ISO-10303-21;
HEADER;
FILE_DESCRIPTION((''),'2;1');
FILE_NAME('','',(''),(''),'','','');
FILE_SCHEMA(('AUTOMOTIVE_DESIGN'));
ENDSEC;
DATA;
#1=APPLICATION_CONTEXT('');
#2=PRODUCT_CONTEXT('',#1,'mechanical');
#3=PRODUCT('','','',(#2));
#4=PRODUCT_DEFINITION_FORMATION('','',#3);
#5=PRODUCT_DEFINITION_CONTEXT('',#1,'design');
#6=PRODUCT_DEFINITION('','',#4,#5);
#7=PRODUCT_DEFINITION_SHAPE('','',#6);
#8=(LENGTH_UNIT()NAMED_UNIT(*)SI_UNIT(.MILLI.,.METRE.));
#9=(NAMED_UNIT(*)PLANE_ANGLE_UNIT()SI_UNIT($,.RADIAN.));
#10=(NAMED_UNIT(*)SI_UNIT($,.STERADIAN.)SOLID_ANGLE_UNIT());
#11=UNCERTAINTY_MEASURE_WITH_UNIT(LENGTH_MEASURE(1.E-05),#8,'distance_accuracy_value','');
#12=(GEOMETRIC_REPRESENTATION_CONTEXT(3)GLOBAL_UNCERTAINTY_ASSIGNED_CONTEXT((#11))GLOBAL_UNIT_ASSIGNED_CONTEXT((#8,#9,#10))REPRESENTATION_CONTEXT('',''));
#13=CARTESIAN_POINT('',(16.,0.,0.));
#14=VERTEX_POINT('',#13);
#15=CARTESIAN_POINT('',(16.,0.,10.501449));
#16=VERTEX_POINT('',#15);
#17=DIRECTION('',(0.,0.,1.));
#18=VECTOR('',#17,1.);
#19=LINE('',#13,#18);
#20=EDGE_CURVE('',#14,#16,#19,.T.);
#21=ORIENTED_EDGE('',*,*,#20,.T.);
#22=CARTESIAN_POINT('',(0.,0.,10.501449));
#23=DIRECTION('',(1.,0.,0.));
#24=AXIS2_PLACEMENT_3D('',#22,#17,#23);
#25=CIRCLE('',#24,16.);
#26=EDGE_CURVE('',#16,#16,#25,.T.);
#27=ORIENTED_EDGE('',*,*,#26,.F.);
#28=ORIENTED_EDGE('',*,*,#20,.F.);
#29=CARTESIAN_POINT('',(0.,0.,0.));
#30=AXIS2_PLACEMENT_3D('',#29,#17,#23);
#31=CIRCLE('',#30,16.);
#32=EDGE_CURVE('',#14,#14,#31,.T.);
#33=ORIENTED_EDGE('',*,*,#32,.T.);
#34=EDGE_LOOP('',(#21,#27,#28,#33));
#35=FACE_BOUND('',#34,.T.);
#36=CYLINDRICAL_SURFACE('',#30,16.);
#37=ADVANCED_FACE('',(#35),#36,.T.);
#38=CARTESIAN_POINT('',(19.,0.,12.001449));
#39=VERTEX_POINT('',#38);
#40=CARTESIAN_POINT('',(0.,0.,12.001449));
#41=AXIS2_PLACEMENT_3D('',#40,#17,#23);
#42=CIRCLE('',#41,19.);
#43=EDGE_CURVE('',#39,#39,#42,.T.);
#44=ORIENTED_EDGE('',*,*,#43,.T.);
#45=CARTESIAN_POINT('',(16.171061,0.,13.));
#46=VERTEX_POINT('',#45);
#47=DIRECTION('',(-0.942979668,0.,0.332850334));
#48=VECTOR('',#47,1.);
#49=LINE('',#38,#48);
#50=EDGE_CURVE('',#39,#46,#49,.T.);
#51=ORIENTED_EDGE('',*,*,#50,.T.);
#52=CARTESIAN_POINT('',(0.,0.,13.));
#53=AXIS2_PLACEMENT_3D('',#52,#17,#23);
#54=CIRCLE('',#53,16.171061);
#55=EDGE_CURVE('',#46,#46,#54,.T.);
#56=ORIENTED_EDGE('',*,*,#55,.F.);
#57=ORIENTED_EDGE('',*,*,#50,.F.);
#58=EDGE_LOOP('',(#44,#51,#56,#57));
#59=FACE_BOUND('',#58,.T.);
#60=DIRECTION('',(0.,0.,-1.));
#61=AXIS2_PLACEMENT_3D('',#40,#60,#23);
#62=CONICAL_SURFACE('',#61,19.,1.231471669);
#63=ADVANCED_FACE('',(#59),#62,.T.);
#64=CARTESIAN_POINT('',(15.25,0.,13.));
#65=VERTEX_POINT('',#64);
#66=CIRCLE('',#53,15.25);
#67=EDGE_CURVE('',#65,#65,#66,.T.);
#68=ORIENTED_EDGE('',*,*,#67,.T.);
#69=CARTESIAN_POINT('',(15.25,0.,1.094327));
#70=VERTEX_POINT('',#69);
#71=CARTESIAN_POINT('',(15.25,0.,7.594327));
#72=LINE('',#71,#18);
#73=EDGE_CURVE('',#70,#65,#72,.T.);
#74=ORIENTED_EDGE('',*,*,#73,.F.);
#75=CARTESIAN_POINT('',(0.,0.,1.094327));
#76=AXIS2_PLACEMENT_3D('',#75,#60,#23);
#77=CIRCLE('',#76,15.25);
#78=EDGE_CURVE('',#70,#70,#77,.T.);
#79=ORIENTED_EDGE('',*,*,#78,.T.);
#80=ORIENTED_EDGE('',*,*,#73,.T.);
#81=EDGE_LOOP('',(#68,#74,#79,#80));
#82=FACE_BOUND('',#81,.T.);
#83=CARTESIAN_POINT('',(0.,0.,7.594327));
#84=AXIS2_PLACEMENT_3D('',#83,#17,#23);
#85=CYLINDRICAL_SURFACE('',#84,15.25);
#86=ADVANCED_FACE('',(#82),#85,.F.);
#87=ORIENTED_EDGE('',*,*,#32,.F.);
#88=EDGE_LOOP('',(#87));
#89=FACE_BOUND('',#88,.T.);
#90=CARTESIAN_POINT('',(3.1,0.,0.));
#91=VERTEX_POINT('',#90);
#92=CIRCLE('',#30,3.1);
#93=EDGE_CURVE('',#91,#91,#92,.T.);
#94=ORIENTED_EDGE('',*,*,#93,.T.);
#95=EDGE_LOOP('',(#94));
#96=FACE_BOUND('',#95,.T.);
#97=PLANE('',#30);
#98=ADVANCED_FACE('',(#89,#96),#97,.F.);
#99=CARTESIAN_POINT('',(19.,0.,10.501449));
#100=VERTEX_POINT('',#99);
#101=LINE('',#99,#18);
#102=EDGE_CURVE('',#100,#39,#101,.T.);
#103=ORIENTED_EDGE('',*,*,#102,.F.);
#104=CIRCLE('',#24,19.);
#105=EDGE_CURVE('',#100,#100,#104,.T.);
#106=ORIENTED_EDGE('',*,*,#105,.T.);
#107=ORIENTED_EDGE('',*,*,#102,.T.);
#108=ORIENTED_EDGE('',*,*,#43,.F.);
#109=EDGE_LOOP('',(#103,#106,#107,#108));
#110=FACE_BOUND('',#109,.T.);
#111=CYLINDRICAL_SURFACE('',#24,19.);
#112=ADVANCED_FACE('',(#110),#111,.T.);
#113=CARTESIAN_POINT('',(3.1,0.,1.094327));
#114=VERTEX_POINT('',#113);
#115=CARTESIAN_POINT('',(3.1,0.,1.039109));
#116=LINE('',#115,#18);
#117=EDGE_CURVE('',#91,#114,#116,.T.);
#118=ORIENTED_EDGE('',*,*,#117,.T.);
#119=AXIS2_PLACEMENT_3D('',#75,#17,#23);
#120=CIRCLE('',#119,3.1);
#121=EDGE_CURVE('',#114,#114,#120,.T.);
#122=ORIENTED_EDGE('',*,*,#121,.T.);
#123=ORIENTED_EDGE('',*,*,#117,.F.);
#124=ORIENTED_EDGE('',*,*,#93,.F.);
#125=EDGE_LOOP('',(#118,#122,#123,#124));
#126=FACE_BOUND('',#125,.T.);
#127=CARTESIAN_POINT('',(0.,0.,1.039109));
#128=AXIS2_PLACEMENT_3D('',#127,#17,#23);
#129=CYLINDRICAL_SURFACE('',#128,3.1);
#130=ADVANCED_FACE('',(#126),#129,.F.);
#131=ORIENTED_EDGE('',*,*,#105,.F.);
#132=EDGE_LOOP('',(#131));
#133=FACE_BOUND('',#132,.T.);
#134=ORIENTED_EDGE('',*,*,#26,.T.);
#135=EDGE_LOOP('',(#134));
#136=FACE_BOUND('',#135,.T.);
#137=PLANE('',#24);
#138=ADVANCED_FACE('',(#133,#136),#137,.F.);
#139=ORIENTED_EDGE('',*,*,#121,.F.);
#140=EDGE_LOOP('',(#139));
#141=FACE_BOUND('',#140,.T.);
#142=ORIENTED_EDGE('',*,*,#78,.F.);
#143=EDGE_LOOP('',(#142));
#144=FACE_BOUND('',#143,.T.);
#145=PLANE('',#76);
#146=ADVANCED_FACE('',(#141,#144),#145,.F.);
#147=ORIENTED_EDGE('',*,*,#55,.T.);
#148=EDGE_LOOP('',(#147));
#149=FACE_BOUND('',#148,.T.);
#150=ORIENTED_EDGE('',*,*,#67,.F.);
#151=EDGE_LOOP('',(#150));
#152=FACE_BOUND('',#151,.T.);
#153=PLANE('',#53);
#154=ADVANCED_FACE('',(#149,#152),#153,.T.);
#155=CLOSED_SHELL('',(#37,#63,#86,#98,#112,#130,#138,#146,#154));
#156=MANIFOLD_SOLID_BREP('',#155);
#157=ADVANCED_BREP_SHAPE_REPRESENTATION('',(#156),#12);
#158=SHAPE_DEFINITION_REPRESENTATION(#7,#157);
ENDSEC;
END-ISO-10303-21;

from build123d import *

# Parameters (mm, degrees)
F2_W = 15.25
F2_H = 13
F5_W = 3.1
F5_H = 4.190033


with BuildPart() as f1:
    # F0 (on Front) → F1 (revolve)
    with BuildSketch(Plane.XZ):
        Polygon((16.171061, 13), (0, 13), (0, 0), (16, 0), (16, 10.501449), (19, 10.501449), (19, 12.001449), align=None)
    revolve(axis=Axis((0, 0, 6.5), (0, 0, 1)))


with BuildPart() as f3:
    # F2 (on Front) → F3 (revolve)
    with BuildSketch(Plane.XZ):
        with Locations((7.625, 7.594327)):
            Rectangle(F2_W, F2_H)
    revolve(axis=Axis((0, 0, 7.594327), (0, 0, -1)))


with BuildPart() as f1_1:
    add(f1.part)

    # F4: cut F3
    add(f3.part, mode=Mode.SUBTRACT)


with BuildPart() as f6:
    # F5 (on Front) → F6 (revolve)
    with BuildSketch(Plane.XZ):
        with Locations((1.55, 1.039109)):
            Rectangle(F5_W, F5_H)
    revolve(axis=Axis((0, 0, 1.03911), (0, 0, -1)))


with BuildPart() as f1_2:
    add(f1_1.part)

    # F7: cut F6
    add(f6.part, mode=Mode.SUBTRACT)


solid = f1_2.part
